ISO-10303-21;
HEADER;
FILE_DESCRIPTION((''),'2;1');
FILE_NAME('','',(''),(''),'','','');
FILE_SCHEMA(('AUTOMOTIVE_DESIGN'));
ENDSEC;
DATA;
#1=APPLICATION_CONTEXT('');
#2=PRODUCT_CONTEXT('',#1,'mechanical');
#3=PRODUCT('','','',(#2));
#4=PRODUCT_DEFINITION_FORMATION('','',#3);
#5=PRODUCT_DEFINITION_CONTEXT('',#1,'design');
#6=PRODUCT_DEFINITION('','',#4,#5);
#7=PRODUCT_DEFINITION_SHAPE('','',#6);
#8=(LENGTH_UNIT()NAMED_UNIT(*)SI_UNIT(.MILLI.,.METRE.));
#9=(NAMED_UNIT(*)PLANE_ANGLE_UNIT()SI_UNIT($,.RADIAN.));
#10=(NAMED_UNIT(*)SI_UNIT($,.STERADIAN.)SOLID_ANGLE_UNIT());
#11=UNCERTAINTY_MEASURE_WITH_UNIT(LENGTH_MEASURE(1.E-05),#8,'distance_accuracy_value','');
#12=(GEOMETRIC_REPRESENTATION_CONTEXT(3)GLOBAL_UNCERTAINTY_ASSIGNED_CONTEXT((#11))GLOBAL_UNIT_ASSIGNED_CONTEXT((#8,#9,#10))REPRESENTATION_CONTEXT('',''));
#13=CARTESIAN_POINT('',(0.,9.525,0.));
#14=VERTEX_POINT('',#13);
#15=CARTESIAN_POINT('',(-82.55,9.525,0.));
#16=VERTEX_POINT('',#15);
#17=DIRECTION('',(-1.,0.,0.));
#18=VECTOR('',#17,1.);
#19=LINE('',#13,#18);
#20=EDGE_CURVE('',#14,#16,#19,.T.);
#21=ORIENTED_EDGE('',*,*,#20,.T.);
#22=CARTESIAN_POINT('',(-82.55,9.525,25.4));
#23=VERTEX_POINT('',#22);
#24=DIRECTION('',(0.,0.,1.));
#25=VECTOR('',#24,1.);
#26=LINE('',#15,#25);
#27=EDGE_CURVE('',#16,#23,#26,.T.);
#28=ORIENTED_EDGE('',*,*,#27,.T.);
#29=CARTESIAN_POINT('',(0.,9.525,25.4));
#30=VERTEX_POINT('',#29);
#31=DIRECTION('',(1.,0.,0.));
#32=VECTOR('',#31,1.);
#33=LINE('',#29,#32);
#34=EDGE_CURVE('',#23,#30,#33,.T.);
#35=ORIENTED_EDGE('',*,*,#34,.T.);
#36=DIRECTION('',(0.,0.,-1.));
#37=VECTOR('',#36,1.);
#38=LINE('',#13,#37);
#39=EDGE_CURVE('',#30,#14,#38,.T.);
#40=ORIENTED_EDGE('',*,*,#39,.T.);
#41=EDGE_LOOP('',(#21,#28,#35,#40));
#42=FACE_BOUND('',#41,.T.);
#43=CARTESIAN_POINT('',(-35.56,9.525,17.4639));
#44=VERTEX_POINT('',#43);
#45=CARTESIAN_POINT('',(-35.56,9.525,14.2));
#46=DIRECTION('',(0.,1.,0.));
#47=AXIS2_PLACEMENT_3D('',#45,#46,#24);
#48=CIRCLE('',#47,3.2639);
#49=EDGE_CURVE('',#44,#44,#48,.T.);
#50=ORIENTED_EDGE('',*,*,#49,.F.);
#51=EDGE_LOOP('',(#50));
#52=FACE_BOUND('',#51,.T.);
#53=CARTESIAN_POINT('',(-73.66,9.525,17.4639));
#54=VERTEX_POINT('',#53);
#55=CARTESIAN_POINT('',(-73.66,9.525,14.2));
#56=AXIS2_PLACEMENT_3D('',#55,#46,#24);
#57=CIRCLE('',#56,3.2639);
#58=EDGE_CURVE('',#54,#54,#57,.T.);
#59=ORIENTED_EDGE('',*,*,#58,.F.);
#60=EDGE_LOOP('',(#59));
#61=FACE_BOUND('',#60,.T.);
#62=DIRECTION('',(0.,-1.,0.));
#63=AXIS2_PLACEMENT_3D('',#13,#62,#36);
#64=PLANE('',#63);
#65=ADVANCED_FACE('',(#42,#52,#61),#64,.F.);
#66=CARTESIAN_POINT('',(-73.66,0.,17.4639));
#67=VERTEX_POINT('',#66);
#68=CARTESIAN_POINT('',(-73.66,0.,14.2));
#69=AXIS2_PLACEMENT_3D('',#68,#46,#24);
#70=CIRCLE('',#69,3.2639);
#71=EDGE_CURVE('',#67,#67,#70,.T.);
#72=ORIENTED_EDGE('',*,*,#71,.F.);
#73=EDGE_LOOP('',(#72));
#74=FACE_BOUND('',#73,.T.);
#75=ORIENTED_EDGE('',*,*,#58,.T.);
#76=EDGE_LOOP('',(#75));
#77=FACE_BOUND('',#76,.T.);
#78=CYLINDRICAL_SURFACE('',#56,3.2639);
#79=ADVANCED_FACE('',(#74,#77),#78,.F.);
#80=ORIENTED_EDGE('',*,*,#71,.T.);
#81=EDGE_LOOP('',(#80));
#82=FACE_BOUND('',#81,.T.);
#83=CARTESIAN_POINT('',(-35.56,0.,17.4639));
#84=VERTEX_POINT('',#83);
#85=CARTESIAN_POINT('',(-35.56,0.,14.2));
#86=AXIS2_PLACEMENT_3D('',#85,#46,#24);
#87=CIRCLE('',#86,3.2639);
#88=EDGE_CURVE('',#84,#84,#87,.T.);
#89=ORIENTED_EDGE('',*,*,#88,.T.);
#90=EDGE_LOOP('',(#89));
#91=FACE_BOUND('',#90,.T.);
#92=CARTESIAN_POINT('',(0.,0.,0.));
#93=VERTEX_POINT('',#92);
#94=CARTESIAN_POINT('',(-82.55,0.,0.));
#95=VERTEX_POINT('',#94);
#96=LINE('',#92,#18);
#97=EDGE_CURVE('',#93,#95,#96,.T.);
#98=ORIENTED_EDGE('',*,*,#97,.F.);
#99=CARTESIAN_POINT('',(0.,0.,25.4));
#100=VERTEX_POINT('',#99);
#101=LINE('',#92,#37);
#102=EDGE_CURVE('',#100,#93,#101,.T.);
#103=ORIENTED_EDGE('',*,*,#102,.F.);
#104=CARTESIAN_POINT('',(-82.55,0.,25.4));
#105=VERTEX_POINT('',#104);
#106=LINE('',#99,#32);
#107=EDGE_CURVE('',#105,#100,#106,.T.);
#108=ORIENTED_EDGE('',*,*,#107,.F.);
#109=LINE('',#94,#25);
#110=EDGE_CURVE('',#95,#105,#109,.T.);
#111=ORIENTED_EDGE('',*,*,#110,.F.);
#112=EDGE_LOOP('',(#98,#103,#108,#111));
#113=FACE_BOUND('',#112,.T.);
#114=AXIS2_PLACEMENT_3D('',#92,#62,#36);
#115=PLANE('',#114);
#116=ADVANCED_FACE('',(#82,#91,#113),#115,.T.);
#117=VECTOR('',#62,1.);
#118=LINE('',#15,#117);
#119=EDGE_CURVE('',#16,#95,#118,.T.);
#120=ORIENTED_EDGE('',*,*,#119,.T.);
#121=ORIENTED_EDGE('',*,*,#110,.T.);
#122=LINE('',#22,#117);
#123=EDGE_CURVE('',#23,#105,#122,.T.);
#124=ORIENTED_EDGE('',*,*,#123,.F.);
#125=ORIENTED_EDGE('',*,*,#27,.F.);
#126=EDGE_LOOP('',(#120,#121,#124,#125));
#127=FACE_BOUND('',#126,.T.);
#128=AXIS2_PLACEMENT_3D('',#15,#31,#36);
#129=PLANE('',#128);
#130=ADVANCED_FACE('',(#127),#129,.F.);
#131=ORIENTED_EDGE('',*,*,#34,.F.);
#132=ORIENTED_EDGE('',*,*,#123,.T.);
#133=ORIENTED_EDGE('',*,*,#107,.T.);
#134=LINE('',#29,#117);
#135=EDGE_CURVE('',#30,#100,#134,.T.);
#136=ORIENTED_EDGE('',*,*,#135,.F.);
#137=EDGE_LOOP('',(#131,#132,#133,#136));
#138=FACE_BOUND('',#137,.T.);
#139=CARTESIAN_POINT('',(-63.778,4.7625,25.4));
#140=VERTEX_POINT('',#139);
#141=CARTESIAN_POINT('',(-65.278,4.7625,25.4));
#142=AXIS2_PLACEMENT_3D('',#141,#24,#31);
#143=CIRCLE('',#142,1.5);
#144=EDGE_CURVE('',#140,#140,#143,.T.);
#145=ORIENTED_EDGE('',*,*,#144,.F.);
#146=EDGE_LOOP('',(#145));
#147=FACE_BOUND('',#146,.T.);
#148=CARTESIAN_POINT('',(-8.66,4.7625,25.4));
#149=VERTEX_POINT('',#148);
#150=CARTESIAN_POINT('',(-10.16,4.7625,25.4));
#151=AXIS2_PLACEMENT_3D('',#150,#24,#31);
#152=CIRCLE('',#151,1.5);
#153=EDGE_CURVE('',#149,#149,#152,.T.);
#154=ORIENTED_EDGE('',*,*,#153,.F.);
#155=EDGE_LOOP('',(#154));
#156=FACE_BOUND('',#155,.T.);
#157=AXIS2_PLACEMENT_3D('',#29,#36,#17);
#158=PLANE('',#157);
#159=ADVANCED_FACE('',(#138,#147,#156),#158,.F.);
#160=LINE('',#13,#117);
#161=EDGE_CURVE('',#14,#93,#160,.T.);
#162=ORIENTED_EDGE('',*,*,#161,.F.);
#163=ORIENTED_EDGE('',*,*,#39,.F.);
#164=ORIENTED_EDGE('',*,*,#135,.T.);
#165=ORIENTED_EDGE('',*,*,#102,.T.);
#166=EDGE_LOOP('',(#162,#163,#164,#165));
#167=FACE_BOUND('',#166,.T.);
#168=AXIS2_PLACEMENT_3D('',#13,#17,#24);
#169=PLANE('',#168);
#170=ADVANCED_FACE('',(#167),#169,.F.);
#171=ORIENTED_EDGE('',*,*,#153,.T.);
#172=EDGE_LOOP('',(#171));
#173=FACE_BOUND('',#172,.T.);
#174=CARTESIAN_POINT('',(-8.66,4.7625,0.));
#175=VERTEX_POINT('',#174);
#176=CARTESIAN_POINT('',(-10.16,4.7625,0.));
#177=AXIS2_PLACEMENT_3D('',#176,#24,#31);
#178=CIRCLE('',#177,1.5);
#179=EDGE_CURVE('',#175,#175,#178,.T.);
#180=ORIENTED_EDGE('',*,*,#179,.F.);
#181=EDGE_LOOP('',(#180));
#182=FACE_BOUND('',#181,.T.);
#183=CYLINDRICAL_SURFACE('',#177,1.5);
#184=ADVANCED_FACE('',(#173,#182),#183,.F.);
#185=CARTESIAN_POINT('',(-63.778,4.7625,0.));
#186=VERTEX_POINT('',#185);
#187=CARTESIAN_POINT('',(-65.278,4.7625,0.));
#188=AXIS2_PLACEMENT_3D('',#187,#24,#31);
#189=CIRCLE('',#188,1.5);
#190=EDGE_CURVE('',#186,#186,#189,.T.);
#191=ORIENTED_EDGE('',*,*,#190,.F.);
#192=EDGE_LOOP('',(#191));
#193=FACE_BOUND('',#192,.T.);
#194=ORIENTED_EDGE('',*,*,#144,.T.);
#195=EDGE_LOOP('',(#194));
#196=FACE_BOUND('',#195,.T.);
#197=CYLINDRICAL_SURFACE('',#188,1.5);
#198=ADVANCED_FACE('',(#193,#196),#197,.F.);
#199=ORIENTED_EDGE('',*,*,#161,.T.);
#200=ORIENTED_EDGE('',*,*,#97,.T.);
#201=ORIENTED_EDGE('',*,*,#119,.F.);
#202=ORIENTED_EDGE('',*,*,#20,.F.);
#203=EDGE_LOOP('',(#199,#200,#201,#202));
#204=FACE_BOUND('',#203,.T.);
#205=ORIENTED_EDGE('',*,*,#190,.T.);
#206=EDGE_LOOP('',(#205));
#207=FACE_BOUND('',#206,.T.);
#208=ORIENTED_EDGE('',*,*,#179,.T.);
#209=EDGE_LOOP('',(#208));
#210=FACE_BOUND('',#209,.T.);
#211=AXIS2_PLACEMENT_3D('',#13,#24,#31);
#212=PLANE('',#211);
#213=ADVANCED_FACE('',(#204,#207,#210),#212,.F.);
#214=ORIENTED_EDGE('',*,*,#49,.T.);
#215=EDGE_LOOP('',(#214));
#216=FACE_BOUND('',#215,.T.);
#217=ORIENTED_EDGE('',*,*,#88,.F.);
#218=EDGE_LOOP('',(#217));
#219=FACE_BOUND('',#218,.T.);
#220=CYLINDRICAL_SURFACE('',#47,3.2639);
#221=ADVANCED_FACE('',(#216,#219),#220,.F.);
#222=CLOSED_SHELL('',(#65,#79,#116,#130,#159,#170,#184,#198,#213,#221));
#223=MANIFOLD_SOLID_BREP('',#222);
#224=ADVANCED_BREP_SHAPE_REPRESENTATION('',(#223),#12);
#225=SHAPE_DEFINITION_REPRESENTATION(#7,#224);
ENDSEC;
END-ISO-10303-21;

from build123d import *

# Parameters (mm, degrees)
SKETCH1_W               = 82.55
SKETCH1_H               = 25.4
BOSS_EXTRUDE1_DEPTH     = 9.525
F_1_4_CLEARANCE_HOLE1_D = 6.5278
SKETCH15_R              = 1.5
CUT_EXTRUDE1_DEPTH      = 26.4


with BuildPart() as part:
    # Sketch1 → Boss-Extrude1 (new body)
    with BuildSketch(Plane(origin=(0, 0, 0), x_dir=(1, 0, 0), z_dir=(0, 1, 0))):
        with Locations((-41.275, -12.7)):
            Rectangle(SKETCH1_W, SKETCH1_H)
    extrude(amount=BOSS_EXTRUDE1_DEPTH)

    # 1/4 Clearance Hole1 (through all)
    with Locations(Plane(origin=(0, 9.525, 0), x_dir=(1, 0, 0), z_dir=(0, 1, 0))):
        with Locations((-73.66, -14.200000048), (-35.56, -14.200000048)):
            Hole(F_1_4_CLEARANCE_HOLE1_D / 2)

    # Sketch15 → Cut-Extrude1 (cut, through all)
    with BuildSketch(Plane.XY.offset(25.4)):
        with Locations((-65.278, 4.7625)):
            Circle(SKETCH15_R)
        with Locations((-10.16, 4.7625)):
            Circle(SKETCH15_R)
    extrude(amount=-CUT_EXTRUDE1_DEPTH, mode=Mode.SUBTRACT)


solid = part.part
